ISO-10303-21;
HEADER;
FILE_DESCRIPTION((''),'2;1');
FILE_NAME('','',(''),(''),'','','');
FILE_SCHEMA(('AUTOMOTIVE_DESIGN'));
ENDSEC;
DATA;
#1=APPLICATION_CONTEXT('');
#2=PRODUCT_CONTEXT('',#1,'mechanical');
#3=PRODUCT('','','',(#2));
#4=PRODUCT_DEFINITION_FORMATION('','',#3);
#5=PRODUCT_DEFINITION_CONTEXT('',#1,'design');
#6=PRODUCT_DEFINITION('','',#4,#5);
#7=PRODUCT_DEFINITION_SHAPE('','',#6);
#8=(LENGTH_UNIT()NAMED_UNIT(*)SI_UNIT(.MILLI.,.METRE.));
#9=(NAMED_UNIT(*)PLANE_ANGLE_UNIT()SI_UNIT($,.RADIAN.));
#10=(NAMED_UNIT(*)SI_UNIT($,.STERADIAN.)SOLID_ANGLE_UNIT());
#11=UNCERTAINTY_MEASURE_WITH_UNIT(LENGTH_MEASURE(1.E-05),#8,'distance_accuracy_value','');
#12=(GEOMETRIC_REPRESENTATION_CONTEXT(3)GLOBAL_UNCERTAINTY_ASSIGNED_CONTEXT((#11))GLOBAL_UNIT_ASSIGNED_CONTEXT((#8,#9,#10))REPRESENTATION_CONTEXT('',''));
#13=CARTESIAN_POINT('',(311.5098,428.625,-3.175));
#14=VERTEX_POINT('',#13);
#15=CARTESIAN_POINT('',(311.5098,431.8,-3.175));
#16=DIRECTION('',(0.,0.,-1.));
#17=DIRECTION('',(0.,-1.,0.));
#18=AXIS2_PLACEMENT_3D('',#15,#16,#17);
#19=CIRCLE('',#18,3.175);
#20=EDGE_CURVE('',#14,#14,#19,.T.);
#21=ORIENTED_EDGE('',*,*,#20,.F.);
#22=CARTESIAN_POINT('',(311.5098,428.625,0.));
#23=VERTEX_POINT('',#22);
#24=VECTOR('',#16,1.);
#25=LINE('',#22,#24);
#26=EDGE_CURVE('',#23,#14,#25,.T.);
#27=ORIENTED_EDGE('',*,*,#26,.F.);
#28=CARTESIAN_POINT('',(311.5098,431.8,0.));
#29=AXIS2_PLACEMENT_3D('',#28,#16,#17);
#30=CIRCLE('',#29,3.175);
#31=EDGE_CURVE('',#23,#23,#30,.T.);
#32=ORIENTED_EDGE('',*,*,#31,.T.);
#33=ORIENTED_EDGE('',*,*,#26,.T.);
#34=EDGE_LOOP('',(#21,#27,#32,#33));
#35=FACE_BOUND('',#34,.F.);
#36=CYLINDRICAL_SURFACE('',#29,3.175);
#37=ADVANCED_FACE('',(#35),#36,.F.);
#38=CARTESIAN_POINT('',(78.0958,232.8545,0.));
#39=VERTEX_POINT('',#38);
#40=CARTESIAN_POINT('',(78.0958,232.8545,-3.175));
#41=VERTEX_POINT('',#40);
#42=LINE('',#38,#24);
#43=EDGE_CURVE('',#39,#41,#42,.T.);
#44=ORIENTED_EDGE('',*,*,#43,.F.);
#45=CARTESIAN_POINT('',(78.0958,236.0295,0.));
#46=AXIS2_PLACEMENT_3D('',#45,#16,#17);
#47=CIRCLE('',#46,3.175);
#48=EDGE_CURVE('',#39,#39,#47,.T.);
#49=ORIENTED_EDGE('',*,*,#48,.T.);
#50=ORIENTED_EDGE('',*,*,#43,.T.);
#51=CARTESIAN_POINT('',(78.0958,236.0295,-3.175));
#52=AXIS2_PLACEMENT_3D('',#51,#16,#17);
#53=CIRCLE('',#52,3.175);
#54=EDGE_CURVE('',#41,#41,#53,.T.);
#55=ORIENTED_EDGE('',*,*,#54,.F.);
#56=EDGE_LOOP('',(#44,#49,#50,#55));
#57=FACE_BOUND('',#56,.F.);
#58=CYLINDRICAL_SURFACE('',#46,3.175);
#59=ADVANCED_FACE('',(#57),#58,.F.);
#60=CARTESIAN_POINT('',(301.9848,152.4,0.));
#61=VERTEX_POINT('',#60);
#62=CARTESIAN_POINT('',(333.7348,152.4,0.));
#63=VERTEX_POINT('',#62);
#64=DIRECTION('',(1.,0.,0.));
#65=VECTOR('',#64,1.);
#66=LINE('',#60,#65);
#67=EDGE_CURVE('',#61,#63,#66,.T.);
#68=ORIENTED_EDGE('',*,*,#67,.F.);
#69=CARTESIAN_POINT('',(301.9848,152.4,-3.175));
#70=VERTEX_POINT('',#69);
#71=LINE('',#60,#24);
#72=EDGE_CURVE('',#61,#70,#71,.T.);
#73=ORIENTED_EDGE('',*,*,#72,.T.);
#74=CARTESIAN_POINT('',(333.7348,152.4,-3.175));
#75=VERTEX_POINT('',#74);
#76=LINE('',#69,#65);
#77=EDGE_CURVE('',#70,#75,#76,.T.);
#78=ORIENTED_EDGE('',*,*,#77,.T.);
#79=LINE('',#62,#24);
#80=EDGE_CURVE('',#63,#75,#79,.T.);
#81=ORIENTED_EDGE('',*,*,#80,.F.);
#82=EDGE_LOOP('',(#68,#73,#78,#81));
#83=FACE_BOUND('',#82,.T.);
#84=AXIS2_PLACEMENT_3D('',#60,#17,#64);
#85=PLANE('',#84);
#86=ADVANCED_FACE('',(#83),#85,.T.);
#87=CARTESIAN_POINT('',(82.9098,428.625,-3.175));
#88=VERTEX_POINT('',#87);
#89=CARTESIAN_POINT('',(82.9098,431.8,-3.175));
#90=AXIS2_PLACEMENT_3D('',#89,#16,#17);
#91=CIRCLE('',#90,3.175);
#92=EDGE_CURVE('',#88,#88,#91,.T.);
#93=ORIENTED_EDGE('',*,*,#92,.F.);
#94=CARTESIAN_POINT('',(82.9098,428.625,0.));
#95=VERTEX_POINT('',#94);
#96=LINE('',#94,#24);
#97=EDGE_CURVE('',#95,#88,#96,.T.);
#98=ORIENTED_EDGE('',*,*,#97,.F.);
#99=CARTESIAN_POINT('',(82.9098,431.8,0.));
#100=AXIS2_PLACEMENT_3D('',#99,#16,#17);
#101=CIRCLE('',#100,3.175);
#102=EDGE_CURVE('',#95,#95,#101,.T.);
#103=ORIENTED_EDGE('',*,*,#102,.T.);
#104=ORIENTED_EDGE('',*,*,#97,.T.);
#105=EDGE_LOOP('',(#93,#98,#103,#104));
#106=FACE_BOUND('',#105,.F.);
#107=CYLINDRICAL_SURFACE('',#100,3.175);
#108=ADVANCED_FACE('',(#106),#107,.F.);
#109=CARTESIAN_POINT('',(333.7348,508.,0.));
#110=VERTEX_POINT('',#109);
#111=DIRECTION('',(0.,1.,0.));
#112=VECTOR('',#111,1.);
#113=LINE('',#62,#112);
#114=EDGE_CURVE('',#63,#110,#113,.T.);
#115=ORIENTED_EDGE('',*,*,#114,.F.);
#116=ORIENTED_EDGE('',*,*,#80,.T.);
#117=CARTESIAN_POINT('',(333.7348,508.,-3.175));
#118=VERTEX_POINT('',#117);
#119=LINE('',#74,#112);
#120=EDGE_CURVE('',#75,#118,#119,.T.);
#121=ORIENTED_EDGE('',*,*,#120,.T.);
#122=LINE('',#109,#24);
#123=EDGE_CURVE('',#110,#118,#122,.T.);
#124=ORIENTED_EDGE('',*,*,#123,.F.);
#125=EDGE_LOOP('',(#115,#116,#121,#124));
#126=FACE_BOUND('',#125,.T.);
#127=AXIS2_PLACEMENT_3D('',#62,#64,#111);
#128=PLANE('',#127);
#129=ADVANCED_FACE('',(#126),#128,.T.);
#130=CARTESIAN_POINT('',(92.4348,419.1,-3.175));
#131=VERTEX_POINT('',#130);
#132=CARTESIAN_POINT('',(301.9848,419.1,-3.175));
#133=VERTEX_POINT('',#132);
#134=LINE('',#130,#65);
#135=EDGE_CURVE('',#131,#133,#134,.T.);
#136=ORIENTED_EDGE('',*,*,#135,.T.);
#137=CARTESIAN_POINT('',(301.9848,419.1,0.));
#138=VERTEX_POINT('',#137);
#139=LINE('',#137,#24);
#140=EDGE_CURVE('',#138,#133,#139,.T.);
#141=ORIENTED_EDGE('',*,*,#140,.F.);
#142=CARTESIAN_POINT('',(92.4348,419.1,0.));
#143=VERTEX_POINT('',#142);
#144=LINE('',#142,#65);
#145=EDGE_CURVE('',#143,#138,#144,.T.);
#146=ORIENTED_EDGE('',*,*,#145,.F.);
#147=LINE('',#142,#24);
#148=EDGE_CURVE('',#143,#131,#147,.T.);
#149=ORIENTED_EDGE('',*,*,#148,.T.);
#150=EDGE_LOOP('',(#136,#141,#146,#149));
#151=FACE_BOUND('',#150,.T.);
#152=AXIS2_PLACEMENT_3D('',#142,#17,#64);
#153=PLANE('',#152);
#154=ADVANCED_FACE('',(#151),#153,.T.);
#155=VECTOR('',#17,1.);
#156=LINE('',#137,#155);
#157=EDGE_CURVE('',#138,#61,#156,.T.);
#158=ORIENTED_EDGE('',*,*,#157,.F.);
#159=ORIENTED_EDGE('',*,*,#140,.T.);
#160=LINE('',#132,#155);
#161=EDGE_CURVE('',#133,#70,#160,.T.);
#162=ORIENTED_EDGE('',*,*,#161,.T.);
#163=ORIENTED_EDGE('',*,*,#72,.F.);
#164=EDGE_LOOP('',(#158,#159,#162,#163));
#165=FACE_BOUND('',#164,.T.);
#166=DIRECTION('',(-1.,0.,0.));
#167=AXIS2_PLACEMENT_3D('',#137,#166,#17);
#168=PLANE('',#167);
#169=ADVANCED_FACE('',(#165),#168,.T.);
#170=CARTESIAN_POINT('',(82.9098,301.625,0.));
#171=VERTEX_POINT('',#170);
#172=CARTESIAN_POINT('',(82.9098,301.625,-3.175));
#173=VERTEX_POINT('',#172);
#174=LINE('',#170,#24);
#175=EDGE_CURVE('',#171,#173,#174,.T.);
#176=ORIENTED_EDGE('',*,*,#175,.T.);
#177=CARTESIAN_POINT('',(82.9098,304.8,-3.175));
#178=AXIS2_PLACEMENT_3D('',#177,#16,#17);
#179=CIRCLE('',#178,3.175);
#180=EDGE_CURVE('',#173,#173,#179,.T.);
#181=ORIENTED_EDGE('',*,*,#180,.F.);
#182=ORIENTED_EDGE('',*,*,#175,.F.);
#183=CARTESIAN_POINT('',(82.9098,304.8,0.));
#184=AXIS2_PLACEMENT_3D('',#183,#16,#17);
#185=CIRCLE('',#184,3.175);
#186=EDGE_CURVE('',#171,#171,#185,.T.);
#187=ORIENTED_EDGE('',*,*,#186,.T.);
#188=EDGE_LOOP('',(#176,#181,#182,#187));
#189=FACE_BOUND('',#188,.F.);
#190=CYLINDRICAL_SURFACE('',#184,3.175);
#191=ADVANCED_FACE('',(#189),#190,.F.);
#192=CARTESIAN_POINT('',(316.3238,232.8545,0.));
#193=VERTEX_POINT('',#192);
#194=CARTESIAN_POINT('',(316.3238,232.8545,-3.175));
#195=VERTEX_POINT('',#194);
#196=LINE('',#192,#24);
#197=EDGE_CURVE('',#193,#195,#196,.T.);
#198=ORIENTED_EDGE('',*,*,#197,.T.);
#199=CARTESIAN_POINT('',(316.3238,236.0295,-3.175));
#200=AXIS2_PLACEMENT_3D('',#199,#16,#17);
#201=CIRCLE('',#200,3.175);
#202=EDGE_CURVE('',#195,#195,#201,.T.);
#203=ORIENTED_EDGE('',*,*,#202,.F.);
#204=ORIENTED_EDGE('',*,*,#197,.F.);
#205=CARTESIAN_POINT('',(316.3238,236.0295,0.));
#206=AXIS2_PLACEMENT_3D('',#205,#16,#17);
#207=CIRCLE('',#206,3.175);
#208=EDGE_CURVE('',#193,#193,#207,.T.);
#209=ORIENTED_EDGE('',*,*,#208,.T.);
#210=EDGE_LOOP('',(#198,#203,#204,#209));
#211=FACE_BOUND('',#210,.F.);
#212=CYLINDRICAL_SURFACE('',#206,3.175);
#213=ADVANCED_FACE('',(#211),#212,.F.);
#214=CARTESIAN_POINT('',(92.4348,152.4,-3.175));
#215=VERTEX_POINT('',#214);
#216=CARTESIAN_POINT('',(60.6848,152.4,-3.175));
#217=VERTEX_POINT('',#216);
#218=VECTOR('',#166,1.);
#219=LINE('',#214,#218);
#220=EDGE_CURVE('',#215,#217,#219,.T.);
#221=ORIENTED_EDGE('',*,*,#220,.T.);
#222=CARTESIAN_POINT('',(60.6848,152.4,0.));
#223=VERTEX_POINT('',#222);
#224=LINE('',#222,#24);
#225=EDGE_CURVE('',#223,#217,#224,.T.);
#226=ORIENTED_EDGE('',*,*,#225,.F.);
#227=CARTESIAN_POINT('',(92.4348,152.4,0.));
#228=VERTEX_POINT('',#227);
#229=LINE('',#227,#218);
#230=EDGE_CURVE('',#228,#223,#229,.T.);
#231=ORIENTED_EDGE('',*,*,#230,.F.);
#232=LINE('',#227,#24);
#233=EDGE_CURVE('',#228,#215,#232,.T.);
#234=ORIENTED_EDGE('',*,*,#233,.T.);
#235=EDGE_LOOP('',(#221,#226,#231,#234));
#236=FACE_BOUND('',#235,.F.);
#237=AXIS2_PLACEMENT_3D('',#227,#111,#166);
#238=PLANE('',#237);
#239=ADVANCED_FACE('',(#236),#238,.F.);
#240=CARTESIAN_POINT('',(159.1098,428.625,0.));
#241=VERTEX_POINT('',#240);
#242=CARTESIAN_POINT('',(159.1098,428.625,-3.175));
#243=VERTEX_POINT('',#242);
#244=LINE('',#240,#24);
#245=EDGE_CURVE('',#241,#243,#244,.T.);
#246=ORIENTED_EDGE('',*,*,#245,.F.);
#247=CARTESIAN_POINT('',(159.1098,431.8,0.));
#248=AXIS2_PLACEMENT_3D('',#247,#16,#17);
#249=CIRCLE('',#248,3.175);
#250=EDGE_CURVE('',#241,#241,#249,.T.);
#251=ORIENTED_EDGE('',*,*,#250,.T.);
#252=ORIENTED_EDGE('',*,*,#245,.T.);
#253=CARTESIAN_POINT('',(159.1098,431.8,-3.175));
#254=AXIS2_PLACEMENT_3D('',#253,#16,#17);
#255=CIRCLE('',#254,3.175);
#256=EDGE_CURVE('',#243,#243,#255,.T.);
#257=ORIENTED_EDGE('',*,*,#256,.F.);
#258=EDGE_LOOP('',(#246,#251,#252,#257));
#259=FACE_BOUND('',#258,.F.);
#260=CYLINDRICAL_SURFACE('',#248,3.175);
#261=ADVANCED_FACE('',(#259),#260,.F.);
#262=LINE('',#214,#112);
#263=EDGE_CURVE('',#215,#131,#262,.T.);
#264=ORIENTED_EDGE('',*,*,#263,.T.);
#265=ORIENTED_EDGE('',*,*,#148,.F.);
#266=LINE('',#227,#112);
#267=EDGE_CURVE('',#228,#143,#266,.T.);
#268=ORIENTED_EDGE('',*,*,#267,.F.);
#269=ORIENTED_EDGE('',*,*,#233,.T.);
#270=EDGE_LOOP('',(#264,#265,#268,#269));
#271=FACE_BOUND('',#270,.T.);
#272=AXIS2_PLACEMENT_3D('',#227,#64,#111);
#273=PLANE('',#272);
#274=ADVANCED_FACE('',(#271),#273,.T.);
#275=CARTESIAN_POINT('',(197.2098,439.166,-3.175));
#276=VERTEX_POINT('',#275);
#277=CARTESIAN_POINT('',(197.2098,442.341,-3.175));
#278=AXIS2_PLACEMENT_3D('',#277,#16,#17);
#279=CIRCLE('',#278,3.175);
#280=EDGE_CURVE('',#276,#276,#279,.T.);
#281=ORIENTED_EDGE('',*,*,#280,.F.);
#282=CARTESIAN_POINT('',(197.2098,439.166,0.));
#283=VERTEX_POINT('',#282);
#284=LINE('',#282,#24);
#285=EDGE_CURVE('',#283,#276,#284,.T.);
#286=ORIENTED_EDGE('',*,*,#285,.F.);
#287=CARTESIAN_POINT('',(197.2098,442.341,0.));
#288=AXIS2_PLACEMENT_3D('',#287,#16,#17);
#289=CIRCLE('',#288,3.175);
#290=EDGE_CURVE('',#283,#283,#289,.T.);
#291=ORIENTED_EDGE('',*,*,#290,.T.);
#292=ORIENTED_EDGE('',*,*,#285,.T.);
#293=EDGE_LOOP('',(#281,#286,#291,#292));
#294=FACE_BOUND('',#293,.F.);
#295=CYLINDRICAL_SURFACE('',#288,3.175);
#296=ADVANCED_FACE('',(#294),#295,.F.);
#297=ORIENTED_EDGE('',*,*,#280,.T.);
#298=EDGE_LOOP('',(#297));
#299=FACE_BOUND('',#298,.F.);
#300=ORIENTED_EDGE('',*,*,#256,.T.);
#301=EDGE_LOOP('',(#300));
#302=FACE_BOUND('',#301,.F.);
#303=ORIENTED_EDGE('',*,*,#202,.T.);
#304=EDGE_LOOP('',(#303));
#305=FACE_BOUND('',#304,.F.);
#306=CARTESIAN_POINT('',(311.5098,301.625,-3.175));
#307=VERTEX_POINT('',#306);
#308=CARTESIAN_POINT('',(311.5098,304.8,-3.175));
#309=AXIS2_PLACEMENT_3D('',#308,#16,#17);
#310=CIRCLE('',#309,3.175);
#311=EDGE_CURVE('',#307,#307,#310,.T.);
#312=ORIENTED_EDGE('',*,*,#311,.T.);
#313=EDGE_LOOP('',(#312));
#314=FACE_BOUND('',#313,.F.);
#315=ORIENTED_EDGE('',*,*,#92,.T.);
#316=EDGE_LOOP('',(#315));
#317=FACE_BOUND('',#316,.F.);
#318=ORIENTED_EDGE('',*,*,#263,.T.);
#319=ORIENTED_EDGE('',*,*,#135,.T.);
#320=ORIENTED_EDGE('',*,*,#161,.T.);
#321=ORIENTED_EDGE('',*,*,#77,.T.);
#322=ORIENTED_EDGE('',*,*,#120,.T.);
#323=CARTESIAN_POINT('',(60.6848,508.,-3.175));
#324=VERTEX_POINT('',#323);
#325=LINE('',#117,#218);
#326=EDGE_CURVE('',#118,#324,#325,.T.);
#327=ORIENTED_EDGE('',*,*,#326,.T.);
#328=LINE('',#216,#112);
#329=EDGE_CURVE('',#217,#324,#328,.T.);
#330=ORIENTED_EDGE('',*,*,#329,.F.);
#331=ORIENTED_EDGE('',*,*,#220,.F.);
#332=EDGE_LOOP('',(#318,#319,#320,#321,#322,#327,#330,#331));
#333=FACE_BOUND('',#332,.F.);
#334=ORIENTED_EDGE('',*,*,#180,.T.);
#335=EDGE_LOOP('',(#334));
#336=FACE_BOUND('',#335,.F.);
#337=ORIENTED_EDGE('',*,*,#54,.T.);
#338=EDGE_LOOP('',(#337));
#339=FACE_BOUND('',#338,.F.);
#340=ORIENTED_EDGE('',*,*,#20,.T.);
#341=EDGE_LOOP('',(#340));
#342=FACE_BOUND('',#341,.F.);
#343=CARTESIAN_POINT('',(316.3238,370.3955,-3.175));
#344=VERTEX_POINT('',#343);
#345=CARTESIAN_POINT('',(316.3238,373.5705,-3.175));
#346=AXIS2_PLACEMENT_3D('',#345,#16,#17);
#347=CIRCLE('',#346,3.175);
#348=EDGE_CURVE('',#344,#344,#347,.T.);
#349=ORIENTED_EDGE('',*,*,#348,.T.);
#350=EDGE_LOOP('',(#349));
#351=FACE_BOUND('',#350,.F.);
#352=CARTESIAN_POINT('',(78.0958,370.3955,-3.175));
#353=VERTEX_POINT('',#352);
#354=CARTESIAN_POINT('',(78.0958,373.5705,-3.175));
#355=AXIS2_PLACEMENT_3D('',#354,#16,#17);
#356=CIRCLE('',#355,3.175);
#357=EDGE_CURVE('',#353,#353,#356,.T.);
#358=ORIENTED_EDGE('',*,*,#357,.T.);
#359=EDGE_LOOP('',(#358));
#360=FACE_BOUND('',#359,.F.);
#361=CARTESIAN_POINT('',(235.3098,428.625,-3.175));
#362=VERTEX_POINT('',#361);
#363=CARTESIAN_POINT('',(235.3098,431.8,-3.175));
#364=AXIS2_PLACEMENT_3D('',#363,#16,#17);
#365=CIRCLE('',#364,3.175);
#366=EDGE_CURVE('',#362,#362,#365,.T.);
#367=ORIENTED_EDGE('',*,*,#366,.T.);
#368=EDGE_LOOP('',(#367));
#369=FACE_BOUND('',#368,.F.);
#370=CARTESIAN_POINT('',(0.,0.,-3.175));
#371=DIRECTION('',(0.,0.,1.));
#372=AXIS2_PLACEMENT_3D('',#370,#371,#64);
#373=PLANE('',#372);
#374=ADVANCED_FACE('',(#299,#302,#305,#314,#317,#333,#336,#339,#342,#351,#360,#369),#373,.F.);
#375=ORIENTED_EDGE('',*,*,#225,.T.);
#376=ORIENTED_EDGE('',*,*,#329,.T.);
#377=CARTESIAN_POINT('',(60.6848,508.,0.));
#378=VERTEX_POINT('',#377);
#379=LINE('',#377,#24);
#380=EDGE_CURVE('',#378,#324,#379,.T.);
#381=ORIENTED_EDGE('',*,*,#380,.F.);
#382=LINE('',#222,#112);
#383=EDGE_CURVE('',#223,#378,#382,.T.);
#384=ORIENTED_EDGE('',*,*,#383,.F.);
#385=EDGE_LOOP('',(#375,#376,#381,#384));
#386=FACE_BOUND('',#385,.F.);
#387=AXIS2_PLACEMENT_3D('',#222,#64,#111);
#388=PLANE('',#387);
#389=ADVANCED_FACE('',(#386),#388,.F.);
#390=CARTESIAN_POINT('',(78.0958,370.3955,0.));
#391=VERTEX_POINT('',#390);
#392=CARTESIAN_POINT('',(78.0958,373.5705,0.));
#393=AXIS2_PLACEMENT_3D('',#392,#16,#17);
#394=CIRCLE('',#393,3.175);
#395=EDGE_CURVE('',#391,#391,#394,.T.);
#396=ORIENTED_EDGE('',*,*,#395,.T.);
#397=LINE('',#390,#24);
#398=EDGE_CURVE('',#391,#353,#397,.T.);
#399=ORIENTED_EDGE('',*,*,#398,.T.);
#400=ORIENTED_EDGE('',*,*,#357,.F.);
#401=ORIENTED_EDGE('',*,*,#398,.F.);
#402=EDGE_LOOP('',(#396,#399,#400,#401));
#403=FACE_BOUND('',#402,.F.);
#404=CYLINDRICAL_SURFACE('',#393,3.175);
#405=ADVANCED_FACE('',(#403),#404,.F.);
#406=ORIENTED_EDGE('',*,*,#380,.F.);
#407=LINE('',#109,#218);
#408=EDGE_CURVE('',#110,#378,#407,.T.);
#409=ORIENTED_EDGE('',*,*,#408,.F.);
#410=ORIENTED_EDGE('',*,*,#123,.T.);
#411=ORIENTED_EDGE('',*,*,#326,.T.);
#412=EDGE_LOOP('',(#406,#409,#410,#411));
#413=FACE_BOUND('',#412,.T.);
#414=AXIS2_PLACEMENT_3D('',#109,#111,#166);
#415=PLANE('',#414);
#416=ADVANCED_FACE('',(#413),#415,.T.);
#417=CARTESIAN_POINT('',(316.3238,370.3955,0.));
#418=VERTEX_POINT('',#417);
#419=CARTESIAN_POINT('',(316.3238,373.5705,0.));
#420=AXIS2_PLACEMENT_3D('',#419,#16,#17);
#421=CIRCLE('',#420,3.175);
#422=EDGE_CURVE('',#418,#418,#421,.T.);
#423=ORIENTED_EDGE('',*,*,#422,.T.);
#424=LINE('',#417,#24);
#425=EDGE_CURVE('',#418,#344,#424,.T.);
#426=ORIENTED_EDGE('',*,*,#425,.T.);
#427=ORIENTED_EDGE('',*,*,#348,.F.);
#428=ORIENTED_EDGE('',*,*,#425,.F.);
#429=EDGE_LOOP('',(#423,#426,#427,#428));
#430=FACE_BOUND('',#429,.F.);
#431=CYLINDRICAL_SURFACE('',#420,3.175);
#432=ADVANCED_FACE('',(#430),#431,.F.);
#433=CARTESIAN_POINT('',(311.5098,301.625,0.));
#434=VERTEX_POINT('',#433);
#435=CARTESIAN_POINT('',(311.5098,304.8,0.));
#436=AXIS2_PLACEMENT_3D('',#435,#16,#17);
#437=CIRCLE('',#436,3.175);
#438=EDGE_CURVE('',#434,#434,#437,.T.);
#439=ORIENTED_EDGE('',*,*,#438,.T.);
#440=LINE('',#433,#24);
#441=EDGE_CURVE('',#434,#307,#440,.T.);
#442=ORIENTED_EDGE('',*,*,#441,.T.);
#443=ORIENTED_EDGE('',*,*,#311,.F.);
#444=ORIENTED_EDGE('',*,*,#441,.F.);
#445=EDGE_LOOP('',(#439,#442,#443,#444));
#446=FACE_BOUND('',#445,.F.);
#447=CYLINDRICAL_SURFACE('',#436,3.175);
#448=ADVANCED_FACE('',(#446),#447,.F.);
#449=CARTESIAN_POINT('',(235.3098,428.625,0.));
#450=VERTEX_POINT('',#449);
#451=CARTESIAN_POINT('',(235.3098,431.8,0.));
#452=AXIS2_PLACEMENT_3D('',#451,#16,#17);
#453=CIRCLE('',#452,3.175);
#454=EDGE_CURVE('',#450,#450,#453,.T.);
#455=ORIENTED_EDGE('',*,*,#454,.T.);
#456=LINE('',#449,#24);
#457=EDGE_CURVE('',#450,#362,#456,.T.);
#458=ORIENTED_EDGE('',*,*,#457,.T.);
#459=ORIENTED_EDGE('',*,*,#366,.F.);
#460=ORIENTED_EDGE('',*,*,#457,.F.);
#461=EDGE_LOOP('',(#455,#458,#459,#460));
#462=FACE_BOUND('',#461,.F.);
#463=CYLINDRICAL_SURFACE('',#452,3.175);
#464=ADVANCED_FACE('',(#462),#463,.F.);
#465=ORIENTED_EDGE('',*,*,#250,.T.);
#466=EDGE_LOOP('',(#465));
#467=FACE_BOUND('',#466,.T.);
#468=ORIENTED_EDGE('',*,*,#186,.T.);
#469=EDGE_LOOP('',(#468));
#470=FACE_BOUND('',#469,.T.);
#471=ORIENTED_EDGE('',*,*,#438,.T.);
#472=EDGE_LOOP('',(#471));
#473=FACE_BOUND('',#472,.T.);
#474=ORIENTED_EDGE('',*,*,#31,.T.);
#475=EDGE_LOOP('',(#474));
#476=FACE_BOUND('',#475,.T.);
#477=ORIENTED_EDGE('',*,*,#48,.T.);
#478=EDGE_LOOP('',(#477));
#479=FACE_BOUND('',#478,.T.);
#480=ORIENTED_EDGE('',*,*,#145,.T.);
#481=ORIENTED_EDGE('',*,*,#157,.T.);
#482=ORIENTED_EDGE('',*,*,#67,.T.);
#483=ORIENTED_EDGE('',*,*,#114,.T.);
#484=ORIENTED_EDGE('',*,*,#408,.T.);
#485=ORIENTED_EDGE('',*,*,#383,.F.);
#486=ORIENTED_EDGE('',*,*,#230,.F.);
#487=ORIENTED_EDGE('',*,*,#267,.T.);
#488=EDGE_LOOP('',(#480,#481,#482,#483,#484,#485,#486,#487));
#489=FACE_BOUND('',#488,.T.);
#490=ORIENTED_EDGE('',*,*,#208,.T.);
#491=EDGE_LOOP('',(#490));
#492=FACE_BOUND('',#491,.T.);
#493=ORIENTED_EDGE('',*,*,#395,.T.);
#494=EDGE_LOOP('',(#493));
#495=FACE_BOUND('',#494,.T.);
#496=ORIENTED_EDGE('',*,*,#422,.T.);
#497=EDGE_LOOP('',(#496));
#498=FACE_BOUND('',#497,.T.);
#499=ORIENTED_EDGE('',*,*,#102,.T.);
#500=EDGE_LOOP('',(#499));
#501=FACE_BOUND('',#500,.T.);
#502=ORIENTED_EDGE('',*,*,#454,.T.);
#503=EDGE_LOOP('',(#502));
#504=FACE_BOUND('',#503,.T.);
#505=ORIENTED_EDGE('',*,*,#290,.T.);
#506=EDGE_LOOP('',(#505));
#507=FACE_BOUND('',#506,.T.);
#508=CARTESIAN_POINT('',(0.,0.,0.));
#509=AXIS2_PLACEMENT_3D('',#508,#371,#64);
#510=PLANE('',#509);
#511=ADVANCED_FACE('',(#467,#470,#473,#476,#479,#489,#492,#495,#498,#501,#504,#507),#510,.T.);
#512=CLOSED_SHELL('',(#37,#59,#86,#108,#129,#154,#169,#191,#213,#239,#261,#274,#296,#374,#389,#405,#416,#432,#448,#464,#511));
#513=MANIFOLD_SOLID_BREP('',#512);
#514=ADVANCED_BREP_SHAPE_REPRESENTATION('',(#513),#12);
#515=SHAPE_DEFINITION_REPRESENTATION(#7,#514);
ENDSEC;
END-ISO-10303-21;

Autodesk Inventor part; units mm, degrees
ref_plane "YZ Plane" through (0, 0, 0) normal (1, 0, 0) x (0, 1, 0)
ref_plane "XZ Plane" through (0, 0, 0) normal (0, 1, 0) x (-1, 0, 0)
ref_plane "XY Plane" through (0, 0, 0) normal (0, 0, 1) x (1, 0, 0)
sketch "Sketch1" plane through (0, 0, 0) normal (0, 0, 1) x (1, 0, 0)
  line L0 (333.7348, 152.4) -> (333.7348, 508)
  line L1 (92.4348, 152.4) -> (92.4348, 419.1)
  line L2 (92.4348, 419.1) -> (301.9848, 419.1)
  line L3 (301.9848, 419.1) -> (301.9848, 152.4)
  line L4 (301.9848, 152.4) -> (333.7348, 152.4)
  line L5 (92.4348, 152.4) -> (60.6848, 152.4)
  line L6 (60.6848, 152.4) -> (60.6848, 508)
  line L7 (333.7348, 508) -> (60.6848, 508)
  point P0 (0, 0)
  point P1 (197.2098, 304.8)
  point P2 (197.2098, 442.341)
  point P3 (78.0958, 373.5705)
  point P4 (78.0958, 236.0295)
  point P5 (197.2098, 167.259)
  point P6 (316.3238, 236.0295)
  point P7 (316.3238, 373.5705)
  point P8 (311.5098, 304.8)
  point P9 (311.5098, 431.8)
  point P10 (82.9098, 431.8)
  point P11 (82.9098, 304.8)
  point P12 (235.3098, 431.8)
  point P13 (159.1098, 431.8)
  dimension "d1" = 355.6
  dimension "d4" = 137.541
  dimension "d7" = 360
  dimension "d9" = 31.75
  dimension "d21" = 31.75
  dimension "d23" = 114.3
  dimension "d39" = 127
  dimension "d40" = 127
  dimension "d48" = 22.225
  dimension "d49" = 22.225
  dimension "d54" = 209.55
  dimension "d55" = 266.7
  dimension "d56" = 104.775
  dimension "d57" = 152.4
  dimension "d58" = 152.4
extrude "Extrusion1" add sketch "Sketch1" against normal blind 3.175
hole "Hole1" at (197.2098, 304.8, 0) at (197.2098, 442.341, 0) at (78.0958, 373.5705, 0) at (78.0958, 236.0295, 0) at (197.2098, 167.259, 0) at (316.3238, 236.0295, 0) at (316.3238, 373.5705, 0) direction (0, 0, -1) diameter 6.35 depth 25.4 tip angle 118
hole "Hole3" at (311.5098, 304.8, 0) at (311.5098, 431.8, 0) at (82.9098, 431.8, 0) at (82.9098, 304.8, 0) at (159.1098, 431.8, 0) at (235.3098, 431.8, 0) direction (0, 0, -1) diameter 6.35 depth 25.4 tip angle 118
properties part number "top mid-pivot plate"
